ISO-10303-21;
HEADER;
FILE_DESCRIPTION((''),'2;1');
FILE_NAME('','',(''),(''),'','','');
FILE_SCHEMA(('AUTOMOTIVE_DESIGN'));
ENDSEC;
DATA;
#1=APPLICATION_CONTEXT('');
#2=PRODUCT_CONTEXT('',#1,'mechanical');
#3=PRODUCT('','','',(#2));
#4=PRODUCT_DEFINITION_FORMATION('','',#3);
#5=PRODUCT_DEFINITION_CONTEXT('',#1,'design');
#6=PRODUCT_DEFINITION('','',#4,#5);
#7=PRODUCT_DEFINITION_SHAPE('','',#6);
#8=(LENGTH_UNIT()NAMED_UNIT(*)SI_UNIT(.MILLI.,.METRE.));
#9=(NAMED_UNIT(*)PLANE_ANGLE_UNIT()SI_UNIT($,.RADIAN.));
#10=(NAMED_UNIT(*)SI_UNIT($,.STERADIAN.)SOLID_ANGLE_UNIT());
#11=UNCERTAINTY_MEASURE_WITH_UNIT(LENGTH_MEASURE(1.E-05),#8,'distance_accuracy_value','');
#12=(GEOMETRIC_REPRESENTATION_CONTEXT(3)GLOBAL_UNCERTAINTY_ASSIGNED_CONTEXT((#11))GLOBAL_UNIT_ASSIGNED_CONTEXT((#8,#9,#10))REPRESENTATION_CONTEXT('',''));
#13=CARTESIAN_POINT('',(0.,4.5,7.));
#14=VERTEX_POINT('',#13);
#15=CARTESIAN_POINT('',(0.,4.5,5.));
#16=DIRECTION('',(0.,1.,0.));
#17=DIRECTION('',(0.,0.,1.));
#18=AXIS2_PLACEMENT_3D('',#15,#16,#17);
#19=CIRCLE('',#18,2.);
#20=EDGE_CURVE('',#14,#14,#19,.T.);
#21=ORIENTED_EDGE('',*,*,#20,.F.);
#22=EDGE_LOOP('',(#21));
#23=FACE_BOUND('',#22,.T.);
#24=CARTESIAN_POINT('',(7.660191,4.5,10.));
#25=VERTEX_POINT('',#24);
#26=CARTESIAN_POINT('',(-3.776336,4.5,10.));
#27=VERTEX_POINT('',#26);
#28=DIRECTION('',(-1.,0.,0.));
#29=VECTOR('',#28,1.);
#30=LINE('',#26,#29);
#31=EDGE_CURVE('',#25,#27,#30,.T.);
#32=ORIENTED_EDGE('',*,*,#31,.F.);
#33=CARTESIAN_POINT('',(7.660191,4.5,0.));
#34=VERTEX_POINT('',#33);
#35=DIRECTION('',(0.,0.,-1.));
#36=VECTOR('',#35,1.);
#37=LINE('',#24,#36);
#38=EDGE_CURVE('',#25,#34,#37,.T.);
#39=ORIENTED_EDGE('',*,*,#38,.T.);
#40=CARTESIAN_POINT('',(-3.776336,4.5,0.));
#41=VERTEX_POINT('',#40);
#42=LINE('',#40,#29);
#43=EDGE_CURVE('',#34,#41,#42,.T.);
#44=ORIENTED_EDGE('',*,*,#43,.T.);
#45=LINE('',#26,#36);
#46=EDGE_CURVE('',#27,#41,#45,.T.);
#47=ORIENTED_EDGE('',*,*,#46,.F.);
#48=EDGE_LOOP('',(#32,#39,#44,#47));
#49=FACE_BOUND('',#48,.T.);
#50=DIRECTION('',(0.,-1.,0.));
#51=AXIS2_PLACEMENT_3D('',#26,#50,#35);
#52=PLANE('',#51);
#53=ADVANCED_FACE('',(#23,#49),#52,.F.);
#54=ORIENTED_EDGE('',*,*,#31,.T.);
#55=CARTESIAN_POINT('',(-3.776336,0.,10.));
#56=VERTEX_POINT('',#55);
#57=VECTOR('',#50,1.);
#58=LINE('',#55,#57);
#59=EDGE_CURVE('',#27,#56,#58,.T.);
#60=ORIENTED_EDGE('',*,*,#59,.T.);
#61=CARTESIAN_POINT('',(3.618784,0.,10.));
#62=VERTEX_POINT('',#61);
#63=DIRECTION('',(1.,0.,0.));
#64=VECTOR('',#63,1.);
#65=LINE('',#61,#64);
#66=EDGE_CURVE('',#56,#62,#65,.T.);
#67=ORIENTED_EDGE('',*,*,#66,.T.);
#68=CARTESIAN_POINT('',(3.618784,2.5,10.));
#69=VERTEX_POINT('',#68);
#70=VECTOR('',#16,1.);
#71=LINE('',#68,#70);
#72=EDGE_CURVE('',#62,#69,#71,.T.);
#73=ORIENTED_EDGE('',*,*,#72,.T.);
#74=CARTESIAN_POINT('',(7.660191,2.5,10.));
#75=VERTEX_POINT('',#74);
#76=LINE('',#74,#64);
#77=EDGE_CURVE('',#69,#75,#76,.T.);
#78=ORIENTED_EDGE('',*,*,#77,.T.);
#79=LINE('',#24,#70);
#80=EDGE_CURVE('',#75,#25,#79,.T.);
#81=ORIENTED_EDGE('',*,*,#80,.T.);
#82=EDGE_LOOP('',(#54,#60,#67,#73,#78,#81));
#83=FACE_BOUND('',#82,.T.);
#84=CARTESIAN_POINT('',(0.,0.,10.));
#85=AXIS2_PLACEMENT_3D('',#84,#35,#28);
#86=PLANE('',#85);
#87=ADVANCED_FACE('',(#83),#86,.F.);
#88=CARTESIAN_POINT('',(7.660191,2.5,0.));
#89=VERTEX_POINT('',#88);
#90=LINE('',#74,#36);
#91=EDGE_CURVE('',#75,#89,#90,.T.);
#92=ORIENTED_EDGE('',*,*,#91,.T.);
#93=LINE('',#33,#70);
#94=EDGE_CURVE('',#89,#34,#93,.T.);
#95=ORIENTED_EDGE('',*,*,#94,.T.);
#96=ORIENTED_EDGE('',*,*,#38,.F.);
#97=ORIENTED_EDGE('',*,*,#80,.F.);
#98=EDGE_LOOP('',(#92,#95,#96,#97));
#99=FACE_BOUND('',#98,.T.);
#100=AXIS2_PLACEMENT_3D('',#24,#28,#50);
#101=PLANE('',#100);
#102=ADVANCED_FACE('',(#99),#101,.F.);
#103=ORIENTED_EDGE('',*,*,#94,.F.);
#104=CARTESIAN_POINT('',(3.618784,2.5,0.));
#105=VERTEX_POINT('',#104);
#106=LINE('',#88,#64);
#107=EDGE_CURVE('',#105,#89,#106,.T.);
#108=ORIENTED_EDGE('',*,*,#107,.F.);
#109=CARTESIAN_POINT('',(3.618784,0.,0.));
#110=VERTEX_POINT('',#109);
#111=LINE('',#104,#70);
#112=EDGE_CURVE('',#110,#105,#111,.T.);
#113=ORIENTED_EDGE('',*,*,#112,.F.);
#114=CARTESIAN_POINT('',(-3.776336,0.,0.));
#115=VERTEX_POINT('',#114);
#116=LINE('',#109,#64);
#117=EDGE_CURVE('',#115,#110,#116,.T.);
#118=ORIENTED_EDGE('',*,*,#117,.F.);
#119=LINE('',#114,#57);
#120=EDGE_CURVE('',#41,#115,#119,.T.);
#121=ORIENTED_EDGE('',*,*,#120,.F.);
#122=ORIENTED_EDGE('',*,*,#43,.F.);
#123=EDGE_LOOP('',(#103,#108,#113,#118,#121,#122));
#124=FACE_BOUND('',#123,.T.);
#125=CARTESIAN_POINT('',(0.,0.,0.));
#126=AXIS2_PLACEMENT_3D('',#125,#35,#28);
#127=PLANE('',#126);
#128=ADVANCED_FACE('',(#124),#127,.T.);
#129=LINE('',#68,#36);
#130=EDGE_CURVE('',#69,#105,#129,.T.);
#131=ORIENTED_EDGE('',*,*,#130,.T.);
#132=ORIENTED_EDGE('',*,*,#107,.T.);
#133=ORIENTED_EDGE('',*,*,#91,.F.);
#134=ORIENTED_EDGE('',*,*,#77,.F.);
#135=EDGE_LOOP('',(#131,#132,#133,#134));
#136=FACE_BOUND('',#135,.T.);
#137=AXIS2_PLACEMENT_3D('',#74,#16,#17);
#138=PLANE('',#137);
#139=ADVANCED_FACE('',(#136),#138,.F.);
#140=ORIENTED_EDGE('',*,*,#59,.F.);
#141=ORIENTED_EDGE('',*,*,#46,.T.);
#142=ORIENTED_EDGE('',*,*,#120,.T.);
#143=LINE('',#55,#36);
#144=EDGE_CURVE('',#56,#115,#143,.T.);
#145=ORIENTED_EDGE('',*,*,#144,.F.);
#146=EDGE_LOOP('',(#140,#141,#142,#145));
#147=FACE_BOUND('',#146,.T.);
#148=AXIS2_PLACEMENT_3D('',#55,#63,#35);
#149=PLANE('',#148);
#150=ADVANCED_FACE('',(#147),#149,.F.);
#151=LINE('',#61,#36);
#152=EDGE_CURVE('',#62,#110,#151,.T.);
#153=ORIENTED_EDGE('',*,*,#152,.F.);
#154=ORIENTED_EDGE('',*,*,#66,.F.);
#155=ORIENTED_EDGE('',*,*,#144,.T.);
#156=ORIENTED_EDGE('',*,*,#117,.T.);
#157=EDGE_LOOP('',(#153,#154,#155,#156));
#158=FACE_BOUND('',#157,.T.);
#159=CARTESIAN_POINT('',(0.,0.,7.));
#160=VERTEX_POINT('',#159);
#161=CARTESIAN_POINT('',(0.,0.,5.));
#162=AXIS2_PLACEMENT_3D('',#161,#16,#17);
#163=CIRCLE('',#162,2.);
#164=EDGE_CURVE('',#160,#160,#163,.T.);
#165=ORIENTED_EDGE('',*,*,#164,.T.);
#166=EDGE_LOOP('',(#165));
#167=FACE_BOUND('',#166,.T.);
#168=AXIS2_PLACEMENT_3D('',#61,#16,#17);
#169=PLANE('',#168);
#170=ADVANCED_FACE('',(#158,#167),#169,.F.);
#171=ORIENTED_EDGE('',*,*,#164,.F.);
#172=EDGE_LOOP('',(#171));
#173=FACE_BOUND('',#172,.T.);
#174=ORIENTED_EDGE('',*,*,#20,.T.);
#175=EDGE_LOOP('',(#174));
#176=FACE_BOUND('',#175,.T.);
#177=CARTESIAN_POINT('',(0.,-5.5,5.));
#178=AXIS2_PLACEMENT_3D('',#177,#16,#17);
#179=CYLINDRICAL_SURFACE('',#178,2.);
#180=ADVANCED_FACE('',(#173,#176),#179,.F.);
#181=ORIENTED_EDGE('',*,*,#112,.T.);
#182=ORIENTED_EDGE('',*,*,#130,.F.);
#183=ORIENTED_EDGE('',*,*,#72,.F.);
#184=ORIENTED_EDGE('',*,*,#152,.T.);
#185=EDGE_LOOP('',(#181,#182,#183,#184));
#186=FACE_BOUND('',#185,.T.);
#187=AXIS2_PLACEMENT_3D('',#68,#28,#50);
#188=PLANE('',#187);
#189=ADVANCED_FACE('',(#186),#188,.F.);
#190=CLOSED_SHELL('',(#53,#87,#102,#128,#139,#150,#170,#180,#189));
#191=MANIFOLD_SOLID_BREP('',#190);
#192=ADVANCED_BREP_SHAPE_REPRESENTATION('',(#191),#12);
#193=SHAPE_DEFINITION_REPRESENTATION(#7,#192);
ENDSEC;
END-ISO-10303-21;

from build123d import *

# Parameters (mm, degrees)
BOSS_EXTRUDE1_DEPTH = 10
SKETCH2_R           = 2
CUT_EXTRUDE1_DEPTH  = 10


with BuildPart() as part:
    # Sketch1 → Boss-Extrude1 (new body)
    with BuildSketch(Plane.XY):
        Polygon((-3.776335995, 0), (-3.776335995, 4.5), (7.660190506, 4.5), (7.660190506, 2.5), (3.618784046, 2.5), (3.618784046, 0), align=None)
    extrude(amount=BOSS_EXTRUDE1_DEPTH)

    # Sketch2 → Cut-Extrude1 (cut)
    with BuildSketch(Plane(origin=(0, 4.5, 0), x_dir=(1, 0, 0), z_dir=(0, 1, 0))):
        with Locations(Location((0, -5, 0), (0, 0, 270))):
            Circle(SKETCH2_R)
    extrude(amount=-CUT_EXTRUDE1_DEPTH, mode=Mode.SUBTRACT)


solid = part.part
